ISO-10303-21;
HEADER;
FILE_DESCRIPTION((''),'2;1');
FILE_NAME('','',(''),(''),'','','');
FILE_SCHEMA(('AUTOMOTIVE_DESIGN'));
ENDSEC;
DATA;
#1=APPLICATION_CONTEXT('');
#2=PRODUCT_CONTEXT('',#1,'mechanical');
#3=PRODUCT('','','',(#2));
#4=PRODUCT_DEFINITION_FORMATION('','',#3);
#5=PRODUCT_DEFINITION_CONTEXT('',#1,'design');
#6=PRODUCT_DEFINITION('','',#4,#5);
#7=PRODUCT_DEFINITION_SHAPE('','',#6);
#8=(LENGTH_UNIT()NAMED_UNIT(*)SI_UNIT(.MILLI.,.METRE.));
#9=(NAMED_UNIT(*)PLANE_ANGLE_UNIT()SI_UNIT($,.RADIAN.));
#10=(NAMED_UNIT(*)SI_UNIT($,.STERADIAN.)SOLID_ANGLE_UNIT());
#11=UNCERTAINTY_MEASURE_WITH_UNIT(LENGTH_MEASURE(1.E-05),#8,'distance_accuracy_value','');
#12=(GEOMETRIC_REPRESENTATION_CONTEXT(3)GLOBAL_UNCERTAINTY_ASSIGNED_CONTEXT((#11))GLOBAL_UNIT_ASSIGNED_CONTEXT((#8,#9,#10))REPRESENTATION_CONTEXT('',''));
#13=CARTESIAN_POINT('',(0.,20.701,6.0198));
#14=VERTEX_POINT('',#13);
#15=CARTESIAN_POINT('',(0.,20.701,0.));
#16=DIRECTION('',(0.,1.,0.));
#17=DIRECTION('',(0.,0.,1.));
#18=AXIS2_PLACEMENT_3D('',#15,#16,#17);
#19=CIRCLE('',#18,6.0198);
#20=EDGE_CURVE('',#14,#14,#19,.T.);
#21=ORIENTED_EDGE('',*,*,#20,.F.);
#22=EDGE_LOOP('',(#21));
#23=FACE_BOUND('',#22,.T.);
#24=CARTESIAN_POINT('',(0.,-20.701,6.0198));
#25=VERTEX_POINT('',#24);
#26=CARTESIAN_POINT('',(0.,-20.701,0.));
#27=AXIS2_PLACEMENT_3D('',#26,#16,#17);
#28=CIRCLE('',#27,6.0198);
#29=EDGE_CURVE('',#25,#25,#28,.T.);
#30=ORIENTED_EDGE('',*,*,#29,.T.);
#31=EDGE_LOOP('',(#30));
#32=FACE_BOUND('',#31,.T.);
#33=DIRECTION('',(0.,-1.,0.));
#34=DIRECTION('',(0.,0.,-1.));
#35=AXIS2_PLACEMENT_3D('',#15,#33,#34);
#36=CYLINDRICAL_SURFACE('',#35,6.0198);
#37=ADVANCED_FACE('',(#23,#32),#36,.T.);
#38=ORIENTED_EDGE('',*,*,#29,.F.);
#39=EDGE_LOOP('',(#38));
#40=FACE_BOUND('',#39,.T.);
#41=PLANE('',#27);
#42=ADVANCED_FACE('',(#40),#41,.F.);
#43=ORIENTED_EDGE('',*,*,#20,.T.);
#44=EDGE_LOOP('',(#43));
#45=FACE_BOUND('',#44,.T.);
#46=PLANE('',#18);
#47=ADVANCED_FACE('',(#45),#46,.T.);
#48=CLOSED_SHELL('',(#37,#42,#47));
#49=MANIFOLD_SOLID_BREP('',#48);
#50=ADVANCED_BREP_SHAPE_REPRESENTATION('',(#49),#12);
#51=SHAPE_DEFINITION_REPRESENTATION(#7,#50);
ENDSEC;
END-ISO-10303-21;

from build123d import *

# Parameters (mm, degrees)
SKETCH1_R           = 6.0198
BOSS_EXTRUDE1_DEPTH = 20.701


with BuildPart() as part:
    # Sketch1 → Boss-Extrude1 (new, symmetric)
    with BuildSketch(Plane(origin=(0, 0, 0), x_dir=(1, 0, 0), z_dir=(0, 1, 0))):
        Circle(SKETCH1_R)
    extrude(amount=BOSS_EXTRUDE1_DEPTH, both=True)


solid = part.part
